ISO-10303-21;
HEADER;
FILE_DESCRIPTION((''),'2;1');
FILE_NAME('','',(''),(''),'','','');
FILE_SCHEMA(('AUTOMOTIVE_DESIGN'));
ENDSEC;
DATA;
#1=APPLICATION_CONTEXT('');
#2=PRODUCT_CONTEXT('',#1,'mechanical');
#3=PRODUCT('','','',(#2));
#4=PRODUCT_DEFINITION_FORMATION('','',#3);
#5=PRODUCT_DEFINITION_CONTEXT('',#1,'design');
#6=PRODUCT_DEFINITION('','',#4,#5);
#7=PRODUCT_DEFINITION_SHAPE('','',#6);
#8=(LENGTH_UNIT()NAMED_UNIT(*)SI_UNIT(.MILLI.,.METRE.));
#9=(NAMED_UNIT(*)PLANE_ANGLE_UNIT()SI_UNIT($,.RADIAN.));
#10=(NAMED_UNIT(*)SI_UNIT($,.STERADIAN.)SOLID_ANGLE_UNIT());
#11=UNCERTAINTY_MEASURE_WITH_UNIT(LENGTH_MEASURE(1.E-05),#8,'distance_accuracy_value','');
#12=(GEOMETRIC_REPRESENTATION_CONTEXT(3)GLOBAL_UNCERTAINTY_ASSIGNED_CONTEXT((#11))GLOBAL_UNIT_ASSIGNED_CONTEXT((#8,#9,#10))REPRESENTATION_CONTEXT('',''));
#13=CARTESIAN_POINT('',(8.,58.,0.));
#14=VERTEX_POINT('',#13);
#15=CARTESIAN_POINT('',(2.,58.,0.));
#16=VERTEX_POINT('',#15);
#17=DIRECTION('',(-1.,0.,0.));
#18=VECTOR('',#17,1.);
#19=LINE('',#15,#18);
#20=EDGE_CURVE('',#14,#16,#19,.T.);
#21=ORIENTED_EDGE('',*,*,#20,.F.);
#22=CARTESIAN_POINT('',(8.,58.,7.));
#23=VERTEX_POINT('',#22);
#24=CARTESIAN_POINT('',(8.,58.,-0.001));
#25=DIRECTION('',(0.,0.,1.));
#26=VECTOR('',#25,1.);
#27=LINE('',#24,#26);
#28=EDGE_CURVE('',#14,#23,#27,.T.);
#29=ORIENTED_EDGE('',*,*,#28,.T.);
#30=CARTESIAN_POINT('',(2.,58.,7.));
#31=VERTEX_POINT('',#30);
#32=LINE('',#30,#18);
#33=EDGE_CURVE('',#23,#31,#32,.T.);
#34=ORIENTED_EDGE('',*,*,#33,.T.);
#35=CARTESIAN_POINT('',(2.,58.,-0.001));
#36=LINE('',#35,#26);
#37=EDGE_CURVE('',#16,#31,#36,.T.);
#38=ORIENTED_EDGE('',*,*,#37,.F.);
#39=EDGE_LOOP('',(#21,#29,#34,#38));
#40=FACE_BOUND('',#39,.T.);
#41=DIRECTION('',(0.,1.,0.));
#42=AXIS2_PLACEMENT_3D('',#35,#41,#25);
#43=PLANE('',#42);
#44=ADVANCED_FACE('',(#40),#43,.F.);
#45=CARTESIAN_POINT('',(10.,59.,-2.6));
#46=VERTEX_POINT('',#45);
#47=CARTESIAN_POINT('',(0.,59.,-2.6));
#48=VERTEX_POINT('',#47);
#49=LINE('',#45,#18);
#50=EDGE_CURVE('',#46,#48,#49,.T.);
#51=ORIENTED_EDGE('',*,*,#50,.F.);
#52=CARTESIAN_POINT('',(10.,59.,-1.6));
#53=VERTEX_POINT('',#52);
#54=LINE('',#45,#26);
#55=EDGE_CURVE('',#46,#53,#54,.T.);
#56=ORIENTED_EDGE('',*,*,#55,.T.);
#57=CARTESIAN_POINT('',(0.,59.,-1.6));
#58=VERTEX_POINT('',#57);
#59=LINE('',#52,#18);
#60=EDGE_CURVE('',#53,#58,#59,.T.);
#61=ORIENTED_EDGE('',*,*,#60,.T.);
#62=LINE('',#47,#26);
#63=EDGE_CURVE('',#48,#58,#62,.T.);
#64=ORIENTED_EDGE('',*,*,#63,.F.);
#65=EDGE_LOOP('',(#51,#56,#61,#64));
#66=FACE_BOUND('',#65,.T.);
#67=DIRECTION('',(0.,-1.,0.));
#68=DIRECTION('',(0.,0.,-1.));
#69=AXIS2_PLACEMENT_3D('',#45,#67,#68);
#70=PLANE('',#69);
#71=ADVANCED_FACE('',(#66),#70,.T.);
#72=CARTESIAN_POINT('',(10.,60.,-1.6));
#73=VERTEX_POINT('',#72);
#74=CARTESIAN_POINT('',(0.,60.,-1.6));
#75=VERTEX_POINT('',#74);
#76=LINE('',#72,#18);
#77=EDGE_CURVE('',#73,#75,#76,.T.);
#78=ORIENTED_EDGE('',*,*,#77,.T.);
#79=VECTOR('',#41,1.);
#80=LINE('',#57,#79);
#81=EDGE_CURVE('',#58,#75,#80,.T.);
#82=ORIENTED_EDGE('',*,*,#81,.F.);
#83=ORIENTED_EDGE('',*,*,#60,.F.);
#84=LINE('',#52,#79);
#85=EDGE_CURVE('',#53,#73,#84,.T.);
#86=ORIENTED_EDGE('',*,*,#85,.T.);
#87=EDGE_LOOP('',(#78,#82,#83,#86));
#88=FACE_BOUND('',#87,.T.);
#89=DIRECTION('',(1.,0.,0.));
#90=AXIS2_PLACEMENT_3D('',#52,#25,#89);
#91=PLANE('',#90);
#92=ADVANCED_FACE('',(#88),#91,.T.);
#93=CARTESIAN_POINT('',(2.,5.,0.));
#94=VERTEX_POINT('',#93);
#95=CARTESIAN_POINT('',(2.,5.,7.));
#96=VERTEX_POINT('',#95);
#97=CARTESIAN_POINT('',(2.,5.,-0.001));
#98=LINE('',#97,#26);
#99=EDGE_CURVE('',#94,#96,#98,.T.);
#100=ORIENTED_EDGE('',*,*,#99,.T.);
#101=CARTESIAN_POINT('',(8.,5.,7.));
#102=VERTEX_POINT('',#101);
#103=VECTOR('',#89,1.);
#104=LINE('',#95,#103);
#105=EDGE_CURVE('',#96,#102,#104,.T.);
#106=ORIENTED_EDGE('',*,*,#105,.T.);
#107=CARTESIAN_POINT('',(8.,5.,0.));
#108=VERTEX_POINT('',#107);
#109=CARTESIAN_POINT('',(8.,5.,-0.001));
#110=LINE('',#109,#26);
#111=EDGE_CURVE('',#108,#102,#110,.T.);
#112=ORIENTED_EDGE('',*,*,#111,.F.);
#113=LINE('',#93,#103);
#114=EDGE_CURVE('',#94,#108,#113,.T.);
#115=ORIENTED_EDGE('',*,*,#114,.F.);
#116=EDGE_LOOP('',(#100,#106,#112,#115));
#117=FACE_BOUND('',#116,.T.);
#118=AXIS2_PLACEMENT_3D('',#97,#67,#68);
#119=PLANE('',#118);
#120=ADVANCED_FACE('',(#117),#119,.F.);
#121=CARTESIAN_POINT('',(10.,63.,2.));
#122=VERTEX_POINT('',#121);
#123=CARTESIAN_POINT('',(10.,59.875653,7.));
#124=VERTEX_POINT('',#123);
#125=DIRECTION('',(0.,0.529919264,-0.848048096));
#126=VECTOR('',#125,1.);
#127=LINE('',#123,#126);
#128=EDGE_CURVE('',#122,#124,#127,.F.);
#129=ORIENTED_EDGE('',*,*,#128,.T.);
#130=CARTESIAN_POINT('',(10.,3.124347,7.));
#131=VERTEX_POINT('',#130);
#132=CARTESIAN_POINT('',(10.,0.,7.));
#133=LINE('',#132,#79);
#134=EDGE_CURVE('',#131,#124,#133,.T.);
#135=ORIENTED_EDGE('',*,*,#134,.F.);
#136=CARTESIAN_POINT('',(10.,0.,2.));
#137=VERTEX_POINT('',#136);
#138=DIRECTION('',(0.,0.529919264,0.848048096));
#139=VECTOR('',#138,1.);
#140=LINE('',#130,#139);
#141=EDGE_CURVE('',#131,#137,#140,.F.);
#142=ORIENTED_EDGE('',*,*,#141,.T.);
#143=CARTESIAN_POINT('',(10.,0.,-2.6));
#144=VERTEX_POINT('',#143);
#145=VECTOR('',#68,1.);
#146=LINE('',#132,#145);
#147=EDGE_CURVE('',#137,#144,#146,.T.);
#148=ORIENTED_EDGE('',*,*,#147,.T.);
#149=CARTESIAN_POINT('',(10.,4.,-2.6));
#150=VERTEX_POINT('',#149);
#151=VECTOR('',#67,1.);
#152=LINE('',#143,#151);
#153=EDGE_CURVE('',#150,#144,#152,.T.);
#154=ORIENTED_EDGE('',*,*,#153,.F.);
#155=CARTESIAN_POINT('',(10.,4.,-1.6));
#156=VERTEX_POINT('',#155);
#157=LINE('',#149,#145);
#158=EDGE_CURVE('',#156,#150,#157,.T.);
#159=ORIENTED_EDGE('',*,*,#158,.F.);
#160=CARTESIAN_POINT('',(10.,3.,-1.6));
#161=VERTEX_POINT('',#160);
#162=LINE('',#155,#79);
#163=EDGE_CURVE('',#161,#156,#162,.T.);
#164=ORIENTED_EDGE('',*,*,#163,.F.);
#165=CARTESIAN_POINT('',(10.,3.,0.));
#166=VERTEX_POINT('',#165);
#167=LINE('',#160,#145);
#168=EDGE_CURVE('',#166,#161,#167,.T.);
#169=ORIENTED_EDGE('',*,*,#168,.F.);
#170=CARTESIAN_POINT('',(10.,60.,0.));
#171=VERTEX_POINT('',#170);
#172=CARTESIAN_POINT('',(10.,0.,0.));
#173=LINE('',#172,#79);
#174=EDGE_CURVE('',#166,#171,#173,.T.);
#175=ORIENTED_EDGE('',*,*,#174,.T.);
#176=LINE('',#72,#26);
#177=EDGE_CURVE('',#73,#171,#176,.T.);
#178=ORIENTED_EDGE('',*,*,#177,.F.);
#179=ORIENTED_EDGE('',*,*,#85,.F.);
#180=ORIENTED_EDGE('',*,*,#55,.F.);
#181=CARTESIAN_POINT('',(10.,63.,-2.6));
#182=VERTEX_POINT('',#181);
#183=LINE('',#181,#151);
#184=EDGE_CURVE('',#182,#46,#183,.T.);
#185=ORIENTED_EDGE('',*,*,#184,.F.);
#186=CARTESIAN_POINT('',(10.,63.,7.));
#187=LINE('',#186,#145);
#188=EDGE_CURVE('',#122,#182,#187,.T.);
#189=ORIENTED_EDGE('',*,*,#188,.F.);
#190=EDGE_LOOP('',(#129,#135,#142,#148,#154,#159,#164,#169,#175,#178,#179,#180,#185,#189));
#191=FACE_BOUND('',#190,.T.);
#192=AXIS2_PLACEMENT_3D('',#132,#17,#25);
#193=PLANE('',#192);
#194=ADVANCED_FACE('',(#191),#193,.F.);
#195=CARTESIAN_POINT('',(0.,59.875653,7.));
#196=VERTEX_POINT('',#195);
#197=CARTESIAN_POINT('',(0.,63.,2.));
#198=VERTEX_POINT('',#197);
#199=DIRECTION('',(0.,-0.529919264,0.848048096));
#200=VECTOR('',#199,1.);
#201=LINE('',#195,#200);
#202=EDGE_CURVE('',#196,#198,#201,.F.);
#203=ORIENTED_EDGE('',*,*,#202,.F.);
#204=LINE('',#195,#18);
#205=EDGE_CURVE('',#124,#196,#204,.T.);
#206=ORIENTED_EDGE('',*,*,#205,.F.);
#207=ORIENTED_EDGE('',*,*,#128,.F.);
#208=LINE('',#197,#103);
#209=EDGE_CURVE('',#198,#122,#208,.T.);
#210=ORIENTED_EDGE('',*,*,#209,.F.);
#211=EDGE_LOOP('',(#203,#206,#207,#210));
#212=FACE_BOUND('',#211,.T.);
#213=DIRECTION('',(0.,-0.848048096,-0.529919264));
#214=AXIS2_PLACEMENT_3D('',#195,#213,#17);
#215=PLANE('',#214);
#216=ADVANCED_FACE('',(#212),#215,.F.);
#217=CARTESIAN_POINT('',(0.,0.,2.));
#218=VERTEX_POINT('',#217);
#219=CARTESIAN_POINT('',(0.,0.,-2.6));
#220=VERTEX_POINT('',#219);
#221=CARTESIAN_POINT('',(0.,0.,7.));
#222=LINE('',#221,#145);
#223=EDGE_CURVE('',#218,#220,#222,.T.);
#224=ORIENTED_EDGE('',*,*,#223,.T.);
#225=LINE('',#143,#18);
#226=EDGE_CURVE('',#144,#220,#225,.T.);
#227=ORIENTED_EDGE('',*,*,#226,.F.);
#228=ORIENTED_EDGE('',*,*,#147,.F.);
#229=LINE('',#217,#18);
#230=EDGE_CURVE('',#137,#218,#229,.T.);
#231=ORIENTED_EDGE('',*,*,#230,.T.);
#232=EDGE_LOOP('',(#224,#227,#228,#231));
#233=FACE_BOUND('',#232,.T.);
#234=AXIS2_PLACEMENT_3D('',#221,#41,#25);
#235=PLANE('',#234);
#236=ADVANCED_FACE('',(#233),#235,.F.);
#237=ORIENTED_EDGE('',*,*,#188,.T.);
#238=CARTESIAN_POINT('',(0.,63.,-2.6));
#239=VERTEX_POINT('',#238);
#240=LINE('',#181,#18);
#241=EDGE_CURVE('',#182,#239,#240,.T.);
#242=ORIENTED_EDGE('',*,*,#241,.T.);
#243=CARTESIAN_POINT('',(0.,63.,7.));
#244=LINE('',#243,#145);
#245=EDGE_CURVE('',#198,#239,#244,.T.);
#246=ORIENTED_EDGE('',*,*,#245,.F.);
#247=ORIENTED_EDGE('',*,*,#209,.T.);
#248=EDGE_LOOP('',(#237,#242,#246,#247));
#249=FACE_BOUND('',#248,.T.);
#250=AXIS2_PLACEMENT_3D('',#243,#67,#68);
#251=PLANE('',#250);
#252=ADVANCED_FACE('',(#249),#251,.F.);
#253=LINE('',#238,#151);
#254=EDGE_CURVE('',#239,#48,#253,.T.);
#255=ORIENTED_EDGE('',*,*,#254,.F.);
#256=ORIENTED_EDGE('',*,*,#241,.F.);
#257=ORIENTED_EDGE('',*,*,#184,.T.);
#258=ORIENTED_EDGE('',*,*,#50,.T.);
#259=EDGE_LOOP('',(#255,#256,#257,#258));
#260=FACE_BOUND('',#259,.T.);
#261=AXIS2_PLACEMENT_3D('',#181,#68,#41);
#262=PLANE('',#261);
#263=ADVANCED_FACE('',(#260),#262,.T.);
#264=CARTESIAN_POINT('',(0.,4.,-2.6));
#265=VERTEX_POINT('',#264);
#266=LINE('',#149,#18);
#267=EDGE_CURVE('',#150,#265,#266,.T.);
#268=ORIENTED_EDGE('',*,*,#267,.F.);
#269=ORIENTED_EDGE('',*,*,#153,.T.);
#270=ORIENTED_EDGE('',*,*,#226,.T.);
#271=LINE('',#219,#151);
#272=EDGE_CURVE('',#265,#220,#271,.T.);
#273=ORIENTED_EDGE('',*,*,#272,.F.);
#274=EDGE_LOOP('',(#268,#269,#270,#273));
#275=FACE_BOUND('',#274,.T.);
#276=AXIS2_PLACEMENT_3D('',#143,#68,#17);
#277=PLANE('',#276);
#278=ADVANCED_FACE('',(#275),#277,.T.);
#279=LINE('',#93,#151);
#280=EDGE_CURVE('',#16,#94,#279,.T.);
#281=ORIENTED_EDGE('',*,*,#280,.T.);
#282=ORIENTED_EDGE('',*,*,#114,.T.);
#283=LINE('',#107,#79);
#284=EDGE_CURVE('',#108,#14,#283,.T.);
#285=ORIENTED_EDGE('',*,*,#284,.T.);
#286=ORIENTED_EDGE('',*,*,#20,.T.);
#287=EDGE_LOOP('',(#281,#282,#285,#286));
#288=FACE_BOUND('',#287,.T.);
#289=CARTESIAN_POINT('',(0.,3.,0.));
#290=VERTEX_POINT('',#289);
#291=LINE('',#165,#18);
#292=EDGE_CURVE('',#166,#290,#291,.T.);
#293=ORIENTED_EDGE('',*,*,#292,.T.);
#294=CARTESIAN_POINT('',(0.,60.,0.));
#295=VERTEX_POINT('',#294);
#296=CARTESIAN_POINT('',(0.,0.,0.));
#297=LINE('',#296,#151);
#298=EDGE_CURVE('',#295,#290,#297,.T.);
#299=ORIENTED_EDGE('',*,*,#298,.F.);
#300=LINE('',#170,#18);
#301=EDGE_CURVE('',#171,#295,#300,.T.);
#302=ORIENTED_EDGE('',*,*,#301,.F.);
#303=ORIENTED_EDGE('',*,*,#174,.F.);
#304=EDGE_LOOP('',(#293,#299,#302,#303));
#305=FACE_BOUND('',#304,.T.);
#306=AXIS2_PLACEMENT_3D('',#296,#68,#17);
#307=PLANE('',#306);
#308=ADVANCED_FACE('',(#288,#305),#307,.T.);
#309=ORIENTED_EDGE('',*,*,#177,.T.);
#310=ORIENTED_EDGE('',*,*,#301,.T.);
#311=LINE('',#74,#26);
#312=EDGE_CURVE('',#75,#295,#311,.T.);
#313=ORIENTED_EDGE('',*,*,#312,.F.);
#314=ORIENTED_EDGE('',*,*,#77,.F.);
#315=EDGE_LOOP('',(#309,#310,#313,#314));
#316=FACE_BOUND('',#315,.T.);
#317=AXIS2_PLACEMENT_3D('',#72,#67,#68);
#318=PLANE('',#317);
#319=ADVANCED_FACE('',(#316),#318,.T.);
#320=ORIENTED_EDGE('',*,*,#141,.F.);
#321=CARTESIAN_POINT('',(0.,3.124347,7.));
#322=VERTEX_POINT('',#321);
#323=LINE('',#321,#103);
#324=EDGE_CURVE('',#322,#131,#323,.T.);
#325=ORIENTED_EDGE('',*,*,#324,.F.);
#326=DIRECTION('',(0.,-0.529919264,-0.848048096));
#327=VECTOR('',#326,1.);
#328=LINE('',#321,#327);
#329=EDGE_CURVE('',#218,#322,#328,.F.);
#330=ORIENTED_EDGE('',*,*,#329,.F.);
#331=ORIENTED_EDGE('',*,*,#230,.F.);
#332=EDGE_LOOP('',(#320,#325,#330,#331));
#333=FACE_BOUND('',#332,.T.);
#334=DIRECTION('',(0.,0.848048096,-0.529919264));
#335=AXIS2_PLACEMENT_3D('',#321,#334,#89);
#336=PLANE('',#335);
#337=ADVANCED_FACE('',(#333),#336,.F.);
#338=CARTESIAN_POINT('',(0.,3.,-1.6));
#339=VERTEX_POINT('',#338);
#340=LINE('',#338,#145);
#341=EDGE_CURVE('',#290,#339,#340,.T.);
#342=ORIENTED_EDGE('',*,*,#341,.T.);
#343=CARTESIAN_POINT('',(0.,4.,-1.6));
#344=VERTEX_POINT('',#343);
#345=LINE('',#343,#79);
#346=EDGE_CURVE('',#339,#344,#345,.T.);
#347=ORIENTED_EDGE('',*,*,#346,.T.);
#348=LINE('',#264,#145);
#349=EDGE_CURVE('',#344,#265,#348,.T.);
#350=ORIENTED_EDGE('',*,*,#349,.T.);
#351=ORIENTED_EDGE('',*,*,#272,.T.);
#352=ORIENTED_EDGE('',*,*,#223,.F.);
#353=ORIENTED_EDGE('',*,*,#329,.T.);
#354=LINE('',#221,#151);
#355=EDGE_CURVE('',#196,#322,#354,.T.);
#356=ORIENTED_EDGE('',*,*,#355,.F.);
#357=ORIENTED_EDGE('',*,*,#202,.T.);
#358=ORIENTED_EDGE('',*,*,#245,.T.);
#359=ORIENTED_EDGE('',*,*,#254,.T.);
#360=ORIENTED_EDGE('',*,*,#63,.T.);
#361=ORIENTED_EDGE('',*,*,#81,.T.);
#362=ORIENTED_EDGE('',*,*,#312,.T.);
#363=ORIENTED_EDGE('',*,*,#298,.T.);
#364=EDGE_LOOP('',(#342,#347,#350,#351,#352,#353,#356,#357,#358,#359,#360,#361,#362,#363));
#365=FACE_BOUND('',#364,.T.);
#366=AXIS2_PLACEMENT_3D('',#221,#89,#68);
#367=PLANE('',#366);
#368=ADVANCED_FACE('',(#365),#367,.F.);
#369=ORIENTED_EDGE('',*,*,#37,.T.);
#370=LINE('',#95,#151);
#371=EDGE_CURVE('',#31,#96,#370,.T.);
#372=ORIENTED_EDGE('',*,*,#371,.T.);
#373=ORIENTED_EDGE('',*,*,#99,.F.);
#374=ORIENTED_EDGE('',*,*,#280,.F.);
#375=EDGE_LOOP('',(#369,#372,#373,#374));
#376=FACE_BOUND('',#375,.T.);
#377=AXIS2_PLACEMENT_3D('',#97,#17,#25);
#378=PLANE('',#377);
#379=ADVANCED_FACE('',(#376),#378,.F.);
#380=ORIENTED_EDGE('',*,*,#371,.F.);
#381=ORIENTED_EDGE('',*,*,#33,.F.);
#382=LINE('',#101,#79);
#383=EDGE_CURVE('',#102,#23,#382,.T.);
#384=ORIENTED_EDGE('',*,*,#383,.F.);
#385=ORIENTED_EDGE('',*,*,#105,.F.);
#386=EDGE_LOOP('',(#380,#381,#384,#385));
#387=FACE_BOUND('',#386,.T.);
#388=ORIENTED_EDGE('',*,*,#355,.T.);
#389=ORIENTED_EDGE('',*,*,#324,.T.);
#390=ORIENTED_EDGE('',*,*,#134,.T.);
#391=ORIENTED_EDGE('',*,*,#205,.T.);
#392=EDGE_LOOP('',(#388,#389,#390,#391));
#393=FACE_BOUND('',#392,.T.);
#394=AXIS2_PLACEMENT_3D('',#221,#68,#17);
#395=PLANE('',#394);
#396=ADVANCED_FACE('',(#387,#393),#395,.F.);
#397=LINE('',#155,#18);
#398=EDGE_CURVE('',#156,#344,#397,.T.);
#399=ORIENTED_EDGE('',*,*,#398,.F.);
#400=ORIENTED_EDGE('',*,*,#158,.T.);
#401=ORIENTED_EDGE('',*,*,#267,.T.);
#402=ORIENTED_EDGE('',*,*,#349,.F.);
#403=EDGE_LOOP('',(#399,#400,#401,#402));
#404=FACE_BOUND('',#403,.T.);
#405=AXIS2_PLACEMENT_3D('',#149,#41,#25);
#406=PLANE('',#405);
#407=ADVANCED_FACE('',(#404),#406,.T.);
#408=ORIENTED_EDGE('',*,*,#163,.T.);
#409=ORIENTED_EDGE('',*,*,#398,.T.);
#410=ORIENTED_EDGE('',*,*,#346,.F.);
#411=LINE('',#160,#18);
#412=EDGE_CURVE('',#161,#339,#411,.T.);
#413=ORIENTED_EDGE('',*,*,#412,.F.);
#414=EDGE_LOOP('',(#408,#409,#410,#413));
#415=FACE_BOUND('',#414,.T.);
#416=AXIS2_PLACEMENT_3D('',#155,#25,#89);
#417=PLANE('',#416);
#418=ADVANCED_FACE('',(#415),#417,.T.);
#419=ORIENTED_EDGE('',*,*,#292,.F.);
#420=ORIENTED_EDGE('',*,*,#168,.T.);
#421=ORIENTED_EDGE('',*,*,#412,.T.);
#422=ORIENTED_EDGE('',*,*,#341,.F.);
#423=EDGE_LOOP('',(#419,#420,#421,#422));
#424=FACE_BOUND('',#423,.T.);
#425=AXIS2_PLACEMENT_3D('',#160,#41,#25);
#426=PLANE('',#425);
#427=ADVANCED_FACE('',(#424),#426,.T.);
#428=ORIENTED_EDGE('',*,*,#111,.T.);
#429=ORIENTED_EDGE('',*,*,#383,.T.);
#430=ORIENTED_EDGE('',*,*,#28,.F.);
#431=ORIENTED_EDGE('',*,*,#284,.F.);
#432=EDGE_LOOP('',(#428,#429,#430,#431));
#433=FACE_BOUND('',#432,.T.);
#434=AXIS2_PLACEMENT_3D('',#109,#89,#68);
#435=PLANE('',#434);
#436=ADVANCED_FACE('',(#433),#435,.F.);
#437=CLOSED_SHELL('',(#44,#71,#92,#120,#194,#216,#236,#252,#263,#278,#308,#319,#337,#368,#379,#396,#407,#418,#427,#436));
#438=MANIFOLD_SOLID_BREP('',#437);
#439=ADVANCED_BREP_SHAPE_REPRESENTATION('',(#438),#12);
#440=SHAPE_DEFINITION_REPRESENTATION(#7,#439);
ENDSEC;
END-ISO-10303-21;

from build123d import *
from OCP.BRepFilletAPI import BRepFilletAPI_MakeChamfer

# Parameters (mm, degrees)
SZKIC3_W                    = 10
SZKIC3_H                    = 63
DODANIE_WYCI_GNI_CIE1_DEPTH = 7
WYTNIJ_WYCI_GNI_CIE1_REACH  = 66.172
SZKIC4_W                    = 6
SZKIC4_H                    = 53
SFAZOWANIE1_SIZE            = 5
SFAZOWANIE1_SIZE2           = 3.12434676
DODANIE_WYCI_GNI_CIE2_DEPTH = 10


with BuildPart() as part:
    # Szkic3 → Dodanie-wyciągnięcie1 (new body)
    with BuildSketch(Plane.XY):
        with Locations((5, 31.5)):
            Rectangle(SZKIC3_W, SZKIC3_H)
    extrude(amount=DODANIE_WYCI_GNI_CIE1_DEPTH)

    # Szkic4 → Wytnij-wyciągnięcie1 (cut, up to next)
    with BuildSketch(Plane.XY.offset(7), mode=Mode.PRIVATE) as wytnij_wyci_gni_cie1_sk1:
        with Locations((5, 31.5)):
            Rectangle(SZKIC4_W, SZKIC4_H)
    wytnij_wyci_gni_cie1_tool1 = extrude(wytnij_wyci_gni_cie1_sk1.sketch, amount=-WYTNIJ_WYCI_GNI_CIE1_REACH, mode=Mode.PRIVATE) & part.part
    add(wytnij_wyci_gni_cie1_tool1.solids().sort_by_distance((5, 31.5, 7))[0], mode=Mode.SUBTRACT)

    # Sfazowanie1: one chamfer whose edges measure the first distance from different faces: ONE call of the kernel's chamfer builder (chamfer() names one face for all edges)
    sfazowanie1_edges_1 = [part.edges().sort_by_distance(p)[0] for p in [
        (5, 63, 7),
    ]]
    sfazowanie1_side_1 = [part.faces().sort_by_distance(p)[0] for p in [
        (5, 63, 3.5),
    ]]
    sfazowanie1_edges_2 = [part.edges().sort_by_distance(p)[0] for p in [
        (5, 0, 7),
    ]]
    sfazowanie1_side_2 = [part.faces().sort_by_distance(p)[0] for p in [
        (5, 0, 3.5),
    ]]
    sfazowanie1 = BRepFilletAPI_MakeChamfer(part.part.solid().wrapped)
    for e in sfazowanie1_edges_1:
        sfazowanie1.Add(SFAZOWANIE1_SIZE, SFAZOWANIE1_SIZE2, e.wrapped, sfazowanie1_side_1[0].wrapped)  # the first distance lies on this face
    for e in sfazowanie1_edges_2:
        sfazowanie1.Add(SFAZOWANIE1_SIZE, SFAZOWANIE1_SIZE2, e.wrapped, sfazowanie1_side_2[0].wrapped)  # the first distance lies on this face
    add(Compound.cast(sfazowanie1.Shape()), mode=Mode.REPLACE)

    # Szkic6 → Dodanie-wyciągnięcie2 (add)
    with BuildSketch(Plane.ZY):
        Polygon((0, 63), (-2.6, 63), (-2.6, 59), (-1.6, 59), (-1.6, 60), (0, 60), align=None)
        Polygon((0, 0), (-2.6, 0), (-2.6, 4), (-1.6, 4), (-1.6, 3), (0, 3), align=None)
    extrude(amount=-DODANIE_WYCI_GNI_CIE2_DEPTH)


solid = part.part
